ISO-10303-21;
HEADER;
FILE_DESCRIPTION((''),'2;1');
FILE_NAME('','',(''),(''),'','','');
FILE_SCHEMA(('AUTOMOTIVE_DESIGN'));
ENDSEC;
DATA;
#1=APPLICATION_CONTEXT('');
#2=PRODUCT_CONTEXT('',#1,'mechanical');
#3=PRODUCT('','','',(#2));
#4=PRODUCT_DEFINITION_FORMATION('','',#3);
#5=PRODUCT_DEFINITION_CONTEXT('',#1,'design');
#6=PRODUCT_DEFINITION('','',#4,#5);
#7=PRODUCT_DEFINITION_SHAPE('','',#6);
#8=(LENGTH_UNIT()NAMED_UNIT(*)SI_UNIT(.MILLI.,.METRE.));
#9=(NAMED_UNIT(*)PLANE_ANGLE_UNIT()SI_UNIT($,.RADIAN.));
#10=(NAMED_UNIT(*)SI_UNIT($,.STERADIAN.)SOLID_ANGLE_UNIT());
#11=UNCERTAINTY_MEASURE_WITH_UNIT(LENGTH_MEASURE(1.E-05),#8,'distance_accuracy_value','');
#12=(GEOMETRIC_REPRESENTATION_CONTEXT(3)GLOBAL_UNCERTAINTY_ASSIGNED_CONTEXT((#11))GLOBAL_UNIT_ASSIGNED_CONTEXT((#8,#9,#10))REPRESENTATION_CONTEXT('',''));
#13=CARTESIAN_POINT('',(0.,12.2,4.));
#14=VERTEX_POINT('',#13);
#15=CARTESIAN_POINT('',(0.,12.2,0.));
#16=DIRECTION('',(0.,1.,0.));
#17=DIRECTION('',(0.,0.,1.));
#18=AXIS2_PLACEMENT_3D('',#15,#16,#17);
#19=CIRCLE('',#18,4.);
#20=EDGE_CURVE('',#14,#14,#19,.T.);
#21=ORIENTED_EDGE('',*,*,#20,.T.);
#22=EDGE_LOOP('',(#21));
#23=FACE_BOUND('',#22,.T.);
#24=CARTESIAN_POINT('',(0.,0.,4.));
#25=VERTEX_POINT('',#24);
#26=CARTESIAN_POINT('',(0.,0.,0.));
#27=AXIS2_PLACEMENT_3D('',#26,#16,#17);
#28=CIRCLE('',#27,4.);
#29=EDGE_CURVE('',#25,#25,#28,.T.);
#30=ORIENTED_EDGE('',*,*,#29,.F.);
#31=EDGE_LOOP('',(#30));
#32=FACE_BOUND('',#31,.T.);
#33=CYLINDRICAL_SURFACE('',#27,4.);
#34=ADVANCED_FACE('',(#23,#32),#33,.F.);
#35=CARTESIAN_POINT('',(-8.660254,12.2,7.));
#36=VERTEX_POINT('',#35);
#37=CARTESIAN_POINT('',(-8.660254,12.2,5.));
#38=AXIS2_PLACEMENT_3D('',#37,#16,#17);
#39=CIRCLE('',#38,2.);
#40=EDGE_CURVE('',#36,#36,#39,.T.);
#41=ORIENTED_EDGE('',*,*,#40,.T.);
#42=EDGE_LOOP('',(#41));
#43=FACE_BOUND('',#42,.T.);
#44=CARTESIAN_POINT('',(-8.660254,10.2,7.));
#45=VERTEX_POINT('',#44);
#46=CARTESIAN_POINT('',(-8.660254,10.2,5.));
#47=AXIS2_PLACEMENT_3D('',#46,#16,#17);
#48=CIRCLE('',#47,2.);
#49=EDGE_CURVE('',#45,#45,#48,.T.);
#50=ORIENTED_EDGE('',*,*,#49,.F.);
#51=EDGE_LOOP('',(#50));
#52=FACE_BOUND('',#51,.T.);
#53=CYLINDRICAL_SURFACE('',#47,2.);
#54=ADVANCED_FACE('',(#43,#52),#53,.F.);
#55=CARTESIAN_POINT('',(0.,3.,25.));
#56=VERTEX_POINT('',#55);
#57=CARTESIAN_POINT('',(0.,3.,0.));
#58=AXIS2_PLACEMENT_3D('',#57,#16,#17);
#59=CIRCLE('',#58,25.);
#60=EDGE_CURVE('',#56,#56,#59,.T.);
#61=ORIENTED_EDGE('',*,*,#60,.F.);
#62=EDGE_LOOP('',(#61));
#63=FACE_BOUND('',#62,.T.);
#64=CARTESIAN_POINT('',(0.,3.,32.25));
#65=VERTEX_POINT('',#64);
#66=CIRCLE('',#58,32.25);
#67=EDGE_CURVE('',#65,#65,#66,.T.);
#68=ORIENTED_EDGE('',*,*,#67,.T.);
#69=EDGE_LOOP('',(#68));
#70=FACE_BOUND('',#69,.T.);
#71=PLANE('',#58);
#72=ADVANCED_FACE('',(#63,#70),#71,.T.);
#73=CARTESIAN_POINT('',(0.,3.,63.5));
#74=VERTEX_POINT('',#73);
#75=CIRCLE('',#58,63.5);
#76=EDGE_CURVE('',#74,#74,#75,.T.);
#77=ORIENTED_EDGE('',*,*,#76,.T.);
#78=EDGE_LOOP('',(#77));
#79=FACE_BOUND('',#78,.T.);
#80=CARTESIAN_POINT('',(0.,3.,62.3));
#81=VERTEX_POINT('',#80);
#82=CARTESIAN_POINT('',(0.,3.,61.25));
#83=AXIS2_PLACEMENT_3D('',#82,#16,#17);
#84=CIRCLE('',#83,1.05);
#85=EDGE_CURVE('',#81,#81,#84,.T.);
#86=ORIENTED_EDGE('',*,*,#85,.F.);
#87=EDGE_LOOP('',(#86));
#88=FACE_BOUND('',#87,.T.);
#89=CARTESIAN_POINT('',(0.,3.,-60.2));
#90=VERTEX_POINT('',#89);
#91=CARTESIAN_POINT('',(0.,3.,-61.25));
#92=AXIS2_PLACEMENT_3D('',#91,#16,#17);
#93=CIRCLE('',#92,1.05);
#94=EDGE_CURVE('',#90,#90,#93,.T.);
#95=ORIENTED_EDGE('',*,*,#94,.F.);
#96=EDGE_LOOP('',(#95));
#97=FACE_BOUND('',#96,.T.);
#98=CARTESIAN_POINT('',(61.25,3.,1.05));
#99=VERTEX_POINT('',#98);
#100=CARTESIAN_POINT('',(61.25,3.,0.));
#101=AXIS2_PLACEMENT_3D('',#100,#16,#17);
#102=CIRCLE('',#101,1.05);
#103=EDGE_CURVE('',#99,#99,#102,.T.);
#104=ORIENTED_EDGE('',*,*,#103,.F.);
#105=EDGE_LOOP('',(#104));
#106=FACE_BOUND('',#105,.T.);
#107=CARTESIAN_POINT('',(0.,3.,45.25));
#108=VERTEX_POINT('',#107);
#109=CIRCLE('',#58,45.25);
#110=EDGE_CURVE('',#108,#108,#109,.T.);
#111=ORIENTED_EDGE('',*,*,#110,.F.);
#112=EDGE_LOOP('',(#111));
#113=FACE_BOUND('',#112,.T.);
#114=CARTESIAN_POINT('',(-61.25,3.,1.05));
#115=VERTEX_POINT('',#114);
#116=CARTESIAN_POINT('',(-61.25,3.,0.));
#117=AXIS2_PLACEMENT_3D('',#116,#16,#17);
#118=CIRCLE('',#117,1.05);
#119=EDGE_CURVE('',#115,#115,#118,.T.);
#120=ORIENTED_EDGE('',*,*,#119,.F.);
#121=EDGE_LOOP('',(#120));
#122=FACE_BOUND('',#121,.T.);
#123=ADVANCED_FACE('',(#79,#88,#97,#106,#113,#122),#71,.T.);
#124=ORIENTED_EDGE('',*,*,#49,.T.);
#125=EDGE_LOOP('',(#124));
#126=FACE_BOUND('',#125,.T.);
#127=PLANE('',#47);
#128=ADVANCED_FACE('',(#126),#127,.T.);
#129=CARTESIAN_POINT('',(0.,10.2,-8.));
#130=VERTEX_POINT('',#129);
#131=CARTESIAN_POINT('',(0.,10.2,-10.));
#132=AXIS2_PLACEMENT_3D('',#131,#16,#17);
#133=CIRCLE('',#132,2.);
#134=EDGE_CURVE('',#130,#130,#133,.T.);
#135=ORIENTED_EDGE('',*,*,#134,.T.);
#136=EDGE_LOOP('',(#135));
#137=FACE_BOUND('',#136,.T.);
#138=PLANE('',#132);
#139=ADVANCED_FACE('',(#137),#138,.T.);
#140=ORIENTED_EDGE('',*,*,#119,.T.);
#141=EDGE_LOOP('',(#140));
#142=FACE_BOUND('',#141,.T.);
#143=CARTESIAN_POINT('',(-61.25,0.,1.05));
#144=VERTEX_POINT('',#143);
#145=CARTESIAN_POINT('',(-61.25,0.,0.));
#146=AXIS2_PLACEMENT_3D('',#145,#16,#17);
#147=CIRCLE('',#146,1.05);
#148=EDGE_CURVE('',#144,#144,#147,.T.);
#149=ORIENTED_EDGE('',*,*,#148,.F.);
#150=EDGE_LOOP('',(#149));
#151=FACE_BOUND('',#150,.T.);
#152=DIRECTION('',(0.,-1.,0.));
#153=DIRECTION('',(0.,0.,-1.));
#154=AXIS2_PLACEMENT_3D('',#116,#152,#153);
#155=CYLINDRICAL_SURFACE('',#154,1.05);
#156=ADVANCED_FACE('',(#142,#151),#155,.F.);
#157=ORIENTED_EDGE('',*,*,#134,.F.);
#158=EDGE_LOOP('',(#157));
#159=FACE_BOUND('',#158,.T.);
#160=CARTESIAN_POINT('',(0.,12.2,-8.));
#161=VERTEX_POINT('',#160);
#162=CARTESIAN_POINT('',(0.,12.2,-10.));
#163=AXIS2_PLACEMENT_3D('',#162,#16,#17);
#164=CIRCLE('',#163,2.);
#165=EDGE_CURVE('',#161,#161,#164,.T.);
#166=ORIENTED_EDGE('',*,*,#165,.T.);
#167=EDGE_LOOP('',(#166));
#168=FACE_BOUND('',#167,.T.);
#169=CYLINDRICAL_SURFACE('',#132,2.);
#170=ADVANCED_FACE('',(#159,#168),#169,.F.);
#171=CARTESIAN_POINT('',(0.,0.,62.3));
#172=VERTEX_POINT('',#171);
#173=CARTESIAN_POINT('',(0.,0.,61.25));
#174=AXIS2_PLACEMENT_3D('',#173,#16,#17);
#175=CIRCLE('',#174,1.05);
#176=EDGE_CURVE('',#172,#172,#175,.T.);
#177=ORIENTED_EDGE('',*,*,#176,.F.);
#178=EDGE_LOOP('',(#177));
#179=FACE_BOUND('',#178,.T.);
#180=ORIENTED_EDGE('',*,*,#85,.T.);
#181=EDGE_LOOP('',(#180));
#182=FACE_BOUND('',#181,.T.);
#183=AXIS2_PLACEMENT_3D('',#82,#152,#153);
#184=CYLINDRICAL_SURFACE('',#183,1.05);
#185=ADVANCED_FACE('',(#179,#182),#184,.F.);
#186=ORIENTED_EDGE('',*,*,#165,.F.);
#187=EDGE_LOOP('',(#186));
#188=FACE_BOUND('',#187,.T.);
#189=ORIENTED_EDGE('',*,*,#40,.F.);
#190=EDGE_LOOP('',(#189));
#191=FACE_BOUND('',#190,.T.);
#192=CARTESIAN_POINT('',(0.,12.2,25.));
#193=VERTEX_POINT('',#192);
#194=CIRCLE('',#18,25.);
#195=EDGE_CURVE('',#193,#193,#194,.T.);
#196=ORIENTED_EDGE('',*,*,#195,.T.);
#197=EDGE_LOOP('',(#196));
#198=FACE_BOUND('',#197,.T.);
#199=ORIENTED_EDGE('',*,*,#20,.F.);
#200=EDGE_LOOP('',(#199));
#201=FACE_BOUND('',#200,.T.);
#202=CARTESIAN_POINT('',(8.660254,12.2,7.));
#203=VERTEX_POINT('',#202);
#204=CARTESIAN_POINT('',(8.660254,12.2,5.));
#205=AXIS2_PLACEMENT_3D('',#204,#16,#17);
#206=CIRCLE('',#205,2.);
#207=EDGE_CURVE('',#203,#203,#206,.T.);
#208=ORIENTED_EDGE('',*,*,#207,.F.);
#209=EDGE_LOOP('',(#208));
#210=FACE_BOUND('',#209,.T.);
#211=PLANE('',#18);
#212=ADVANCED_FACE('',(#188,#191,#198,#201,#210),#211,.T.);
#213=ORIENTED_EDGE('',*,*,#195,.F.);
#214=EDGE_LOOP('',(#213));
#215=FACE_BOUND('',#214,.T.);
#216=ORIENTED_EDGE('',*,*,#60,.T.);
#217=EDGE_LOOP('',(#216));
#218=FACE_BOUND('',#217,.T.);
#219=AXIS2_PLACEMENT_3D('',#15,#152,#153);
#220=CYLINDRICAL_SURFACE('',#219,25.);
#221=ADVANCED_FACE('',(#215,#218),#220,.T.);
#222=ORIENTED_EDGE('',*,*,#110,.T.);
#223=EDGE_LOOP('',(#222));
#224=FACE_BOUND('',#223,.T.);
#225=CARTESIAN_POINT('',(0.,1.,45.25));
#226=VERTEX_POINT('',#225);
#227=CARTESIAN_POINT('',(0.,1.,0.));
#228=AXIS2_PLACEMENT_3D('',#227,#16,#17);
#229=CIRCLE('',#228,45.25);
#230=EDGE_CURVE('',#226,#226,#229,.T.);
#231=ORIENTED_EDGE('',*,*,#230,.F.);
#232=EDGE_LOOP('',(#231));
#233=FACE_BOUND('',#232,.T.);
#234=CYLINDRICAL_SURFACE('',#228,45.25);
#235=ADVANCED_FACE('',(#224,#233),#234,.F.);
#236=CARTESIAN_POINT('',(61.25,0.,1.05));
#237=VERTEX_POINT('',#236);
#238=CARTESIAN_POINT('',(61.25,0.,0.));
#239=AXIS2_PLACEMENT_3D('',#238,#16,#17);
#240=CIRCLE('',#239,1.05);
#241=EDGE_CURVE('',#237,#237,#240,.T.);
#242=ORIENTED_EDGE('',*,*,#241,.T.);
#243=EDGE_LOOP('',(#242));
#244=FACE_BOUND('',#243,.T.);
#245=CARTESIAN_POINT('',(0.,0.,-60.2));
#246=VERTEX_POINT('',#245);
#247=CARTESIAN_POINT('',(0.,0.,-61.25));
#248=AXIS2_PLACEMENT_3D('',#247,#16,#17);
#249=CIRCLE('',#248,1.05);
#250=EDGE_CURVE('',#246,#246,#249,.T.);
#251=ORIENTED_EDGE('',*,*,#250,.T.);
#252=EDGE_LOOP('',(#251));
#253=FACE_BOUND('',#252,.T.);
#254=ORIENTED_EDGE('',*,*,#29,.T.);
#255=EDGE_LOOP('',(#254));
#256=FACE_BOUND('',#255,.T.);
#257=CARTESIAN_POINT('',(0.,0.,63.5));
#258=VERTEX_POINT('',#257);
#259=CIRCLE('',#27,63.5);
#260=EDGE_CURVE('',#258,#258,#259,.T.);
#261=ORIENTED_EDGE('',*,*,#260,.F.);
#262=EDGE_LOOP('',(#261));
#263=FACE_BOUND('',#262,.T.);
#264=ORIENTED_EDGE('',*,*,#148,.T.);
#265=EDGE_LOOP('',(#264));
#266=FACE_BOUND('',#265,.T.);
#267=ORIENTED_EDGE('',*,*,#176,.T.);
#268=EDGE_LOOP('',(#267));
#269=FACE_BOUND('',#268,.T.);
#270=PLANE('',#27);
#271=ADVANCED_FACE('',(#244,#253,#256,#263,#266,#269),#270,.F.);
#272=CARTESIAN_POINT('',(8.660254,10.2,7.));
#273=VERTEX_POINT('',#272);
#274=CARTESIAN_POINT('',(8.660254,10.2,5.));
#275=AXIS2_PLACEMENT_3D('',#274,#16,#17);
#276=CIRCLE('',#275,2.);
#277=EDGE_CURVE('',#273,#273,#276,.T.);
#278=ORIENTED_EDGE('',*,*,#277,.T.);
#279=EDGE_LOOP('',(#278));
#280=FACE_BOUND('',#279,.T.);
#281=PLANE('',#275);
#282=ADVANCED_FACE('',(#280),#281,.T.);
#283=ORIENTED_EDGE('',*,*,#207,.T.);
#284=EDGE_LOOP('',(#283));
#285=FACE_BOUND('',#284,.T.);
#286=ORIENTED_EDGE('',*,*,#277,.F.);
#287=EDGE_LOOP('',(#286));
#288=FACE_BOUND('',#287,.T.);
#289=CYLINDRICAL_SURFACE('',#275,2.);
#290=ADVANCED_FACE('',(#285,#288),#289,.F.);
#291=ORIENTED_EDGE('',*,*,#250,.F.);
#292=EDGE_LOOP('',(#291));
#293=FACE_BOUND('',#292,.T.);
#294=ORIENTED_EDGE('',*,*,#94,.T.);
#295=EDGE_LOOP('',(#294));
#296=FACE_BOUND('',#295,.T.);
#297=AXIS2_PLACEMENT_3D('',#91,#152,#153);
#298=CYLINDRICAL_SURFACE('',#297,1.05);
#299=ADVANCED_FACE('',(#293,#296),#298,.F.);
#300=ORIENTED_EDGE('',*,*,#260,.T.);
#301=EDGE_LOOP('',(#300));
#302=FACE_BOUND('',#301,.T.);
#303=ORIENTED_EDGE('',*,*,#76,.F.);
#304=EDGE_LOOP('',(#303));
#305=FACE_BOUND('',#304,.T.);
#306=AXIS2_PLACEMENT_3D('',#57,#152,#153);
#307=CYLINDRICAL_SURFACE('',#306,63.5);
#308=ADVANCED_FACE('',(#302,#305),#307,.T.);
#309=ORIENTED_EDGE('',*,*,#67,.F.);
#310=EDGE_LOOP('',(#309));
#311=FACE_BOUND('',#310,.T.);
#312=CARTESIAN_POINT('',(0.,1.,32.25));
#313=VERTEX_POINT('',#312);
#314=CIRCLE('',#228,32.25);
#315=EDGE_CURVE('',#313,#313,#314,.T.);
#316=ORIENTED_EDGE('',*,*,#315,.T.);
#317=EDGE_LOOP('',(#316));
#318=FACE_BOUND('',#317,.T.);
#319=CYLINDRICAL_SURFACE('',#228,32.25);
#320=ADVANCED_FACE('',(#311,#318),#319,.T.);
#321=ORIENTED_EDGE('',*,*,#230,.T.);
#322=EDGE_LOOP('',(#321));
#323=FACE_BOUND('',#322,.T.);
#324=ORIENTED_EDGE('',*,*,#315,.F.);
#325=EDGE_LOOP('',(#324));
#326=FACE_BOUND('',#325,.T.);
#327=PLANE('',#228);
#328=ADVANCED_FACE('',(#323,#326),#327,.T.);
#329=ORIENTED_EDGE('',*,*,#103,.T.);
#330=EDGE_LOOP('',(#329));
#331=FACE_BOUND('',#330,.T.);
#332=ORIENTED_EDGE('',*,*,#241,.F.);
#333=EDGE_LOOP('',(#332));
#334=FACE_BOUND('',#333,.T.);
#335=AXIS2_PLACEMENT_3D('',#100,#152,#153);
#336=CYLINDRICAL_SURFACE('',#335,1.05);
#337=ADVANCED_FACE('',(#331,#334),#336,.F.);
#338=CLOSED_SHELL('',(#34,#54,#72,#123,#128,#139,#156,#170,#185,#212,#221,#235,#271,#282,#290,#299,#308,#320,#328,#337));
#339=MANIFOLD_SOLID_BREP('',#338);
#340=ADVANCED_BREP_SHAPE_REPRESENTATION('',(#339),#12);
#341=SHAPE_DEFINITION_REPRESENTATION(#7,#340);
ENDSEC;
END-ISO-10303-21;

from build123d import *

# Parameters (mm, degrees)
SKETCH1_R           = 63.5
SKETCH1_R_2         = 1.05
BOSS_EXTRUDE1_DEPTH = 3
SKETCH2_R           = 45.25
SKETCH2_R_2         = 32.25
CUT_EXTRUDE1_DEPTH  = 2
SKETCH4_R           = 25
BOSS_EXTRUDE2_DEPTH = 9.2
SKETCH5_R           = 2
CUT_EXTRUDE2_DEPTH  = 2
SKETCH6_R           = 4
CUT_EXTRUDE3_DEPTH  = 91.627479276


with BuildPart() as part:
    # Sketch1 → Boss-Extrude1 (new body)
    with BuildSketch(Plane(origin=(0, 0, 0), x_dir=(1, 0, 0), z_dir=(0, 1, 0))):
        with Locations(Location((0, 0, 0), (0, 0, 270))):
            Circle(SKETCH1_R)
        with Locations(Location((0, 61.25, 0), (0, 0, 270))):
            Circle(SKETCH1_R_2, mode=Mode.SUBTRACT)
        with Locations(Location((61.25, 0, 0), (0, 0, 270))):
            Circle(SKETCH1_R_2, mode=Mode.SUBTRACT)
        with Locations(Location((0, -61.25, 0), (0, 0, 270))):
            Circle(SKETCH1_R_2, mode=Mode.SUBTRACT)
        with Locations(Location((-61.25, 0, 0), (0, 0, 270))):
            Circle(SKETCH1_R_2, mode=Mode.SUBTRACT)
    extrude(amount=BOSS_EXTRUDE1_DEPTH)

    # Sketch2 → Cut-Extrude1 (cut)
    with BuildSketch(Plane(origin=(0, 3, 0), x_dir=(1, 0, 0), z_dir=(0, 1, 0))):
        with Locations(Location((0, 0, 0), (0, 0, 270))):
            Circle(SKETCH2_R)
        with Locations(Location((0, 0, 0), (0, 0, 270))):
            Circle(SKETCH2_R_2, mode=Mode.SUBTRACT)
    extrude(amount=-CUT_EXTRUDE1_DEPTH, mode=Mode.SUBTRACT)

    # Sketch4 → Boss-Extrude2 (add)
    with BuildSketch(Plane(origin=(0, 3, 0), x_dir=(1, 0, 0), z_dir=(0, 1, 0))):
        with Locations(Location((0, 0, 0), (0, 0, 270))):
            Circle(SKETCH4_R)
    extrude(amount=BOSS_EXTRUDE2_DEPTH)

    # Sketch5 → Cut-Extrude2 (cut)
    with BuildSketch(Plane(origin=(0, 12.2, 0), x_dir=(1, 0, 0), z_dir=(0, 1, 0))):
        with Locations(Location((0, 10, 0), (0, 0, 270))):
            Circle(SKETCH5_R)
        with Locations(Location((8.660254038, -5, 0), (0, 0, 270))):
            Circle(SKETCH5_R)
        with Locations(Location((-8.660254038, -5, 0), (0, 0, 270))):
            Circle(SKETCH5_R)
    extrude(amount=-CUT_EXTRUDE2_DEPTH, mode=Mode.SUBTRACT)

    # Sketch6 → Cut-Extrude3 (cut, through all)
    with BuildSketch(Plane(origin=(0, 12.2, 0), x_dir=(1, 0, 0), z_dir=(0, 1, 0))):
        with Locations(Location((0, 0, 0), (0, 0, 270))):
            Circle(SKETCH6_R)
    extrude(amount=-CUT_EXTRUDE3_DEPTH, mode=Mode.SUBTRACT)


solid = part.part
